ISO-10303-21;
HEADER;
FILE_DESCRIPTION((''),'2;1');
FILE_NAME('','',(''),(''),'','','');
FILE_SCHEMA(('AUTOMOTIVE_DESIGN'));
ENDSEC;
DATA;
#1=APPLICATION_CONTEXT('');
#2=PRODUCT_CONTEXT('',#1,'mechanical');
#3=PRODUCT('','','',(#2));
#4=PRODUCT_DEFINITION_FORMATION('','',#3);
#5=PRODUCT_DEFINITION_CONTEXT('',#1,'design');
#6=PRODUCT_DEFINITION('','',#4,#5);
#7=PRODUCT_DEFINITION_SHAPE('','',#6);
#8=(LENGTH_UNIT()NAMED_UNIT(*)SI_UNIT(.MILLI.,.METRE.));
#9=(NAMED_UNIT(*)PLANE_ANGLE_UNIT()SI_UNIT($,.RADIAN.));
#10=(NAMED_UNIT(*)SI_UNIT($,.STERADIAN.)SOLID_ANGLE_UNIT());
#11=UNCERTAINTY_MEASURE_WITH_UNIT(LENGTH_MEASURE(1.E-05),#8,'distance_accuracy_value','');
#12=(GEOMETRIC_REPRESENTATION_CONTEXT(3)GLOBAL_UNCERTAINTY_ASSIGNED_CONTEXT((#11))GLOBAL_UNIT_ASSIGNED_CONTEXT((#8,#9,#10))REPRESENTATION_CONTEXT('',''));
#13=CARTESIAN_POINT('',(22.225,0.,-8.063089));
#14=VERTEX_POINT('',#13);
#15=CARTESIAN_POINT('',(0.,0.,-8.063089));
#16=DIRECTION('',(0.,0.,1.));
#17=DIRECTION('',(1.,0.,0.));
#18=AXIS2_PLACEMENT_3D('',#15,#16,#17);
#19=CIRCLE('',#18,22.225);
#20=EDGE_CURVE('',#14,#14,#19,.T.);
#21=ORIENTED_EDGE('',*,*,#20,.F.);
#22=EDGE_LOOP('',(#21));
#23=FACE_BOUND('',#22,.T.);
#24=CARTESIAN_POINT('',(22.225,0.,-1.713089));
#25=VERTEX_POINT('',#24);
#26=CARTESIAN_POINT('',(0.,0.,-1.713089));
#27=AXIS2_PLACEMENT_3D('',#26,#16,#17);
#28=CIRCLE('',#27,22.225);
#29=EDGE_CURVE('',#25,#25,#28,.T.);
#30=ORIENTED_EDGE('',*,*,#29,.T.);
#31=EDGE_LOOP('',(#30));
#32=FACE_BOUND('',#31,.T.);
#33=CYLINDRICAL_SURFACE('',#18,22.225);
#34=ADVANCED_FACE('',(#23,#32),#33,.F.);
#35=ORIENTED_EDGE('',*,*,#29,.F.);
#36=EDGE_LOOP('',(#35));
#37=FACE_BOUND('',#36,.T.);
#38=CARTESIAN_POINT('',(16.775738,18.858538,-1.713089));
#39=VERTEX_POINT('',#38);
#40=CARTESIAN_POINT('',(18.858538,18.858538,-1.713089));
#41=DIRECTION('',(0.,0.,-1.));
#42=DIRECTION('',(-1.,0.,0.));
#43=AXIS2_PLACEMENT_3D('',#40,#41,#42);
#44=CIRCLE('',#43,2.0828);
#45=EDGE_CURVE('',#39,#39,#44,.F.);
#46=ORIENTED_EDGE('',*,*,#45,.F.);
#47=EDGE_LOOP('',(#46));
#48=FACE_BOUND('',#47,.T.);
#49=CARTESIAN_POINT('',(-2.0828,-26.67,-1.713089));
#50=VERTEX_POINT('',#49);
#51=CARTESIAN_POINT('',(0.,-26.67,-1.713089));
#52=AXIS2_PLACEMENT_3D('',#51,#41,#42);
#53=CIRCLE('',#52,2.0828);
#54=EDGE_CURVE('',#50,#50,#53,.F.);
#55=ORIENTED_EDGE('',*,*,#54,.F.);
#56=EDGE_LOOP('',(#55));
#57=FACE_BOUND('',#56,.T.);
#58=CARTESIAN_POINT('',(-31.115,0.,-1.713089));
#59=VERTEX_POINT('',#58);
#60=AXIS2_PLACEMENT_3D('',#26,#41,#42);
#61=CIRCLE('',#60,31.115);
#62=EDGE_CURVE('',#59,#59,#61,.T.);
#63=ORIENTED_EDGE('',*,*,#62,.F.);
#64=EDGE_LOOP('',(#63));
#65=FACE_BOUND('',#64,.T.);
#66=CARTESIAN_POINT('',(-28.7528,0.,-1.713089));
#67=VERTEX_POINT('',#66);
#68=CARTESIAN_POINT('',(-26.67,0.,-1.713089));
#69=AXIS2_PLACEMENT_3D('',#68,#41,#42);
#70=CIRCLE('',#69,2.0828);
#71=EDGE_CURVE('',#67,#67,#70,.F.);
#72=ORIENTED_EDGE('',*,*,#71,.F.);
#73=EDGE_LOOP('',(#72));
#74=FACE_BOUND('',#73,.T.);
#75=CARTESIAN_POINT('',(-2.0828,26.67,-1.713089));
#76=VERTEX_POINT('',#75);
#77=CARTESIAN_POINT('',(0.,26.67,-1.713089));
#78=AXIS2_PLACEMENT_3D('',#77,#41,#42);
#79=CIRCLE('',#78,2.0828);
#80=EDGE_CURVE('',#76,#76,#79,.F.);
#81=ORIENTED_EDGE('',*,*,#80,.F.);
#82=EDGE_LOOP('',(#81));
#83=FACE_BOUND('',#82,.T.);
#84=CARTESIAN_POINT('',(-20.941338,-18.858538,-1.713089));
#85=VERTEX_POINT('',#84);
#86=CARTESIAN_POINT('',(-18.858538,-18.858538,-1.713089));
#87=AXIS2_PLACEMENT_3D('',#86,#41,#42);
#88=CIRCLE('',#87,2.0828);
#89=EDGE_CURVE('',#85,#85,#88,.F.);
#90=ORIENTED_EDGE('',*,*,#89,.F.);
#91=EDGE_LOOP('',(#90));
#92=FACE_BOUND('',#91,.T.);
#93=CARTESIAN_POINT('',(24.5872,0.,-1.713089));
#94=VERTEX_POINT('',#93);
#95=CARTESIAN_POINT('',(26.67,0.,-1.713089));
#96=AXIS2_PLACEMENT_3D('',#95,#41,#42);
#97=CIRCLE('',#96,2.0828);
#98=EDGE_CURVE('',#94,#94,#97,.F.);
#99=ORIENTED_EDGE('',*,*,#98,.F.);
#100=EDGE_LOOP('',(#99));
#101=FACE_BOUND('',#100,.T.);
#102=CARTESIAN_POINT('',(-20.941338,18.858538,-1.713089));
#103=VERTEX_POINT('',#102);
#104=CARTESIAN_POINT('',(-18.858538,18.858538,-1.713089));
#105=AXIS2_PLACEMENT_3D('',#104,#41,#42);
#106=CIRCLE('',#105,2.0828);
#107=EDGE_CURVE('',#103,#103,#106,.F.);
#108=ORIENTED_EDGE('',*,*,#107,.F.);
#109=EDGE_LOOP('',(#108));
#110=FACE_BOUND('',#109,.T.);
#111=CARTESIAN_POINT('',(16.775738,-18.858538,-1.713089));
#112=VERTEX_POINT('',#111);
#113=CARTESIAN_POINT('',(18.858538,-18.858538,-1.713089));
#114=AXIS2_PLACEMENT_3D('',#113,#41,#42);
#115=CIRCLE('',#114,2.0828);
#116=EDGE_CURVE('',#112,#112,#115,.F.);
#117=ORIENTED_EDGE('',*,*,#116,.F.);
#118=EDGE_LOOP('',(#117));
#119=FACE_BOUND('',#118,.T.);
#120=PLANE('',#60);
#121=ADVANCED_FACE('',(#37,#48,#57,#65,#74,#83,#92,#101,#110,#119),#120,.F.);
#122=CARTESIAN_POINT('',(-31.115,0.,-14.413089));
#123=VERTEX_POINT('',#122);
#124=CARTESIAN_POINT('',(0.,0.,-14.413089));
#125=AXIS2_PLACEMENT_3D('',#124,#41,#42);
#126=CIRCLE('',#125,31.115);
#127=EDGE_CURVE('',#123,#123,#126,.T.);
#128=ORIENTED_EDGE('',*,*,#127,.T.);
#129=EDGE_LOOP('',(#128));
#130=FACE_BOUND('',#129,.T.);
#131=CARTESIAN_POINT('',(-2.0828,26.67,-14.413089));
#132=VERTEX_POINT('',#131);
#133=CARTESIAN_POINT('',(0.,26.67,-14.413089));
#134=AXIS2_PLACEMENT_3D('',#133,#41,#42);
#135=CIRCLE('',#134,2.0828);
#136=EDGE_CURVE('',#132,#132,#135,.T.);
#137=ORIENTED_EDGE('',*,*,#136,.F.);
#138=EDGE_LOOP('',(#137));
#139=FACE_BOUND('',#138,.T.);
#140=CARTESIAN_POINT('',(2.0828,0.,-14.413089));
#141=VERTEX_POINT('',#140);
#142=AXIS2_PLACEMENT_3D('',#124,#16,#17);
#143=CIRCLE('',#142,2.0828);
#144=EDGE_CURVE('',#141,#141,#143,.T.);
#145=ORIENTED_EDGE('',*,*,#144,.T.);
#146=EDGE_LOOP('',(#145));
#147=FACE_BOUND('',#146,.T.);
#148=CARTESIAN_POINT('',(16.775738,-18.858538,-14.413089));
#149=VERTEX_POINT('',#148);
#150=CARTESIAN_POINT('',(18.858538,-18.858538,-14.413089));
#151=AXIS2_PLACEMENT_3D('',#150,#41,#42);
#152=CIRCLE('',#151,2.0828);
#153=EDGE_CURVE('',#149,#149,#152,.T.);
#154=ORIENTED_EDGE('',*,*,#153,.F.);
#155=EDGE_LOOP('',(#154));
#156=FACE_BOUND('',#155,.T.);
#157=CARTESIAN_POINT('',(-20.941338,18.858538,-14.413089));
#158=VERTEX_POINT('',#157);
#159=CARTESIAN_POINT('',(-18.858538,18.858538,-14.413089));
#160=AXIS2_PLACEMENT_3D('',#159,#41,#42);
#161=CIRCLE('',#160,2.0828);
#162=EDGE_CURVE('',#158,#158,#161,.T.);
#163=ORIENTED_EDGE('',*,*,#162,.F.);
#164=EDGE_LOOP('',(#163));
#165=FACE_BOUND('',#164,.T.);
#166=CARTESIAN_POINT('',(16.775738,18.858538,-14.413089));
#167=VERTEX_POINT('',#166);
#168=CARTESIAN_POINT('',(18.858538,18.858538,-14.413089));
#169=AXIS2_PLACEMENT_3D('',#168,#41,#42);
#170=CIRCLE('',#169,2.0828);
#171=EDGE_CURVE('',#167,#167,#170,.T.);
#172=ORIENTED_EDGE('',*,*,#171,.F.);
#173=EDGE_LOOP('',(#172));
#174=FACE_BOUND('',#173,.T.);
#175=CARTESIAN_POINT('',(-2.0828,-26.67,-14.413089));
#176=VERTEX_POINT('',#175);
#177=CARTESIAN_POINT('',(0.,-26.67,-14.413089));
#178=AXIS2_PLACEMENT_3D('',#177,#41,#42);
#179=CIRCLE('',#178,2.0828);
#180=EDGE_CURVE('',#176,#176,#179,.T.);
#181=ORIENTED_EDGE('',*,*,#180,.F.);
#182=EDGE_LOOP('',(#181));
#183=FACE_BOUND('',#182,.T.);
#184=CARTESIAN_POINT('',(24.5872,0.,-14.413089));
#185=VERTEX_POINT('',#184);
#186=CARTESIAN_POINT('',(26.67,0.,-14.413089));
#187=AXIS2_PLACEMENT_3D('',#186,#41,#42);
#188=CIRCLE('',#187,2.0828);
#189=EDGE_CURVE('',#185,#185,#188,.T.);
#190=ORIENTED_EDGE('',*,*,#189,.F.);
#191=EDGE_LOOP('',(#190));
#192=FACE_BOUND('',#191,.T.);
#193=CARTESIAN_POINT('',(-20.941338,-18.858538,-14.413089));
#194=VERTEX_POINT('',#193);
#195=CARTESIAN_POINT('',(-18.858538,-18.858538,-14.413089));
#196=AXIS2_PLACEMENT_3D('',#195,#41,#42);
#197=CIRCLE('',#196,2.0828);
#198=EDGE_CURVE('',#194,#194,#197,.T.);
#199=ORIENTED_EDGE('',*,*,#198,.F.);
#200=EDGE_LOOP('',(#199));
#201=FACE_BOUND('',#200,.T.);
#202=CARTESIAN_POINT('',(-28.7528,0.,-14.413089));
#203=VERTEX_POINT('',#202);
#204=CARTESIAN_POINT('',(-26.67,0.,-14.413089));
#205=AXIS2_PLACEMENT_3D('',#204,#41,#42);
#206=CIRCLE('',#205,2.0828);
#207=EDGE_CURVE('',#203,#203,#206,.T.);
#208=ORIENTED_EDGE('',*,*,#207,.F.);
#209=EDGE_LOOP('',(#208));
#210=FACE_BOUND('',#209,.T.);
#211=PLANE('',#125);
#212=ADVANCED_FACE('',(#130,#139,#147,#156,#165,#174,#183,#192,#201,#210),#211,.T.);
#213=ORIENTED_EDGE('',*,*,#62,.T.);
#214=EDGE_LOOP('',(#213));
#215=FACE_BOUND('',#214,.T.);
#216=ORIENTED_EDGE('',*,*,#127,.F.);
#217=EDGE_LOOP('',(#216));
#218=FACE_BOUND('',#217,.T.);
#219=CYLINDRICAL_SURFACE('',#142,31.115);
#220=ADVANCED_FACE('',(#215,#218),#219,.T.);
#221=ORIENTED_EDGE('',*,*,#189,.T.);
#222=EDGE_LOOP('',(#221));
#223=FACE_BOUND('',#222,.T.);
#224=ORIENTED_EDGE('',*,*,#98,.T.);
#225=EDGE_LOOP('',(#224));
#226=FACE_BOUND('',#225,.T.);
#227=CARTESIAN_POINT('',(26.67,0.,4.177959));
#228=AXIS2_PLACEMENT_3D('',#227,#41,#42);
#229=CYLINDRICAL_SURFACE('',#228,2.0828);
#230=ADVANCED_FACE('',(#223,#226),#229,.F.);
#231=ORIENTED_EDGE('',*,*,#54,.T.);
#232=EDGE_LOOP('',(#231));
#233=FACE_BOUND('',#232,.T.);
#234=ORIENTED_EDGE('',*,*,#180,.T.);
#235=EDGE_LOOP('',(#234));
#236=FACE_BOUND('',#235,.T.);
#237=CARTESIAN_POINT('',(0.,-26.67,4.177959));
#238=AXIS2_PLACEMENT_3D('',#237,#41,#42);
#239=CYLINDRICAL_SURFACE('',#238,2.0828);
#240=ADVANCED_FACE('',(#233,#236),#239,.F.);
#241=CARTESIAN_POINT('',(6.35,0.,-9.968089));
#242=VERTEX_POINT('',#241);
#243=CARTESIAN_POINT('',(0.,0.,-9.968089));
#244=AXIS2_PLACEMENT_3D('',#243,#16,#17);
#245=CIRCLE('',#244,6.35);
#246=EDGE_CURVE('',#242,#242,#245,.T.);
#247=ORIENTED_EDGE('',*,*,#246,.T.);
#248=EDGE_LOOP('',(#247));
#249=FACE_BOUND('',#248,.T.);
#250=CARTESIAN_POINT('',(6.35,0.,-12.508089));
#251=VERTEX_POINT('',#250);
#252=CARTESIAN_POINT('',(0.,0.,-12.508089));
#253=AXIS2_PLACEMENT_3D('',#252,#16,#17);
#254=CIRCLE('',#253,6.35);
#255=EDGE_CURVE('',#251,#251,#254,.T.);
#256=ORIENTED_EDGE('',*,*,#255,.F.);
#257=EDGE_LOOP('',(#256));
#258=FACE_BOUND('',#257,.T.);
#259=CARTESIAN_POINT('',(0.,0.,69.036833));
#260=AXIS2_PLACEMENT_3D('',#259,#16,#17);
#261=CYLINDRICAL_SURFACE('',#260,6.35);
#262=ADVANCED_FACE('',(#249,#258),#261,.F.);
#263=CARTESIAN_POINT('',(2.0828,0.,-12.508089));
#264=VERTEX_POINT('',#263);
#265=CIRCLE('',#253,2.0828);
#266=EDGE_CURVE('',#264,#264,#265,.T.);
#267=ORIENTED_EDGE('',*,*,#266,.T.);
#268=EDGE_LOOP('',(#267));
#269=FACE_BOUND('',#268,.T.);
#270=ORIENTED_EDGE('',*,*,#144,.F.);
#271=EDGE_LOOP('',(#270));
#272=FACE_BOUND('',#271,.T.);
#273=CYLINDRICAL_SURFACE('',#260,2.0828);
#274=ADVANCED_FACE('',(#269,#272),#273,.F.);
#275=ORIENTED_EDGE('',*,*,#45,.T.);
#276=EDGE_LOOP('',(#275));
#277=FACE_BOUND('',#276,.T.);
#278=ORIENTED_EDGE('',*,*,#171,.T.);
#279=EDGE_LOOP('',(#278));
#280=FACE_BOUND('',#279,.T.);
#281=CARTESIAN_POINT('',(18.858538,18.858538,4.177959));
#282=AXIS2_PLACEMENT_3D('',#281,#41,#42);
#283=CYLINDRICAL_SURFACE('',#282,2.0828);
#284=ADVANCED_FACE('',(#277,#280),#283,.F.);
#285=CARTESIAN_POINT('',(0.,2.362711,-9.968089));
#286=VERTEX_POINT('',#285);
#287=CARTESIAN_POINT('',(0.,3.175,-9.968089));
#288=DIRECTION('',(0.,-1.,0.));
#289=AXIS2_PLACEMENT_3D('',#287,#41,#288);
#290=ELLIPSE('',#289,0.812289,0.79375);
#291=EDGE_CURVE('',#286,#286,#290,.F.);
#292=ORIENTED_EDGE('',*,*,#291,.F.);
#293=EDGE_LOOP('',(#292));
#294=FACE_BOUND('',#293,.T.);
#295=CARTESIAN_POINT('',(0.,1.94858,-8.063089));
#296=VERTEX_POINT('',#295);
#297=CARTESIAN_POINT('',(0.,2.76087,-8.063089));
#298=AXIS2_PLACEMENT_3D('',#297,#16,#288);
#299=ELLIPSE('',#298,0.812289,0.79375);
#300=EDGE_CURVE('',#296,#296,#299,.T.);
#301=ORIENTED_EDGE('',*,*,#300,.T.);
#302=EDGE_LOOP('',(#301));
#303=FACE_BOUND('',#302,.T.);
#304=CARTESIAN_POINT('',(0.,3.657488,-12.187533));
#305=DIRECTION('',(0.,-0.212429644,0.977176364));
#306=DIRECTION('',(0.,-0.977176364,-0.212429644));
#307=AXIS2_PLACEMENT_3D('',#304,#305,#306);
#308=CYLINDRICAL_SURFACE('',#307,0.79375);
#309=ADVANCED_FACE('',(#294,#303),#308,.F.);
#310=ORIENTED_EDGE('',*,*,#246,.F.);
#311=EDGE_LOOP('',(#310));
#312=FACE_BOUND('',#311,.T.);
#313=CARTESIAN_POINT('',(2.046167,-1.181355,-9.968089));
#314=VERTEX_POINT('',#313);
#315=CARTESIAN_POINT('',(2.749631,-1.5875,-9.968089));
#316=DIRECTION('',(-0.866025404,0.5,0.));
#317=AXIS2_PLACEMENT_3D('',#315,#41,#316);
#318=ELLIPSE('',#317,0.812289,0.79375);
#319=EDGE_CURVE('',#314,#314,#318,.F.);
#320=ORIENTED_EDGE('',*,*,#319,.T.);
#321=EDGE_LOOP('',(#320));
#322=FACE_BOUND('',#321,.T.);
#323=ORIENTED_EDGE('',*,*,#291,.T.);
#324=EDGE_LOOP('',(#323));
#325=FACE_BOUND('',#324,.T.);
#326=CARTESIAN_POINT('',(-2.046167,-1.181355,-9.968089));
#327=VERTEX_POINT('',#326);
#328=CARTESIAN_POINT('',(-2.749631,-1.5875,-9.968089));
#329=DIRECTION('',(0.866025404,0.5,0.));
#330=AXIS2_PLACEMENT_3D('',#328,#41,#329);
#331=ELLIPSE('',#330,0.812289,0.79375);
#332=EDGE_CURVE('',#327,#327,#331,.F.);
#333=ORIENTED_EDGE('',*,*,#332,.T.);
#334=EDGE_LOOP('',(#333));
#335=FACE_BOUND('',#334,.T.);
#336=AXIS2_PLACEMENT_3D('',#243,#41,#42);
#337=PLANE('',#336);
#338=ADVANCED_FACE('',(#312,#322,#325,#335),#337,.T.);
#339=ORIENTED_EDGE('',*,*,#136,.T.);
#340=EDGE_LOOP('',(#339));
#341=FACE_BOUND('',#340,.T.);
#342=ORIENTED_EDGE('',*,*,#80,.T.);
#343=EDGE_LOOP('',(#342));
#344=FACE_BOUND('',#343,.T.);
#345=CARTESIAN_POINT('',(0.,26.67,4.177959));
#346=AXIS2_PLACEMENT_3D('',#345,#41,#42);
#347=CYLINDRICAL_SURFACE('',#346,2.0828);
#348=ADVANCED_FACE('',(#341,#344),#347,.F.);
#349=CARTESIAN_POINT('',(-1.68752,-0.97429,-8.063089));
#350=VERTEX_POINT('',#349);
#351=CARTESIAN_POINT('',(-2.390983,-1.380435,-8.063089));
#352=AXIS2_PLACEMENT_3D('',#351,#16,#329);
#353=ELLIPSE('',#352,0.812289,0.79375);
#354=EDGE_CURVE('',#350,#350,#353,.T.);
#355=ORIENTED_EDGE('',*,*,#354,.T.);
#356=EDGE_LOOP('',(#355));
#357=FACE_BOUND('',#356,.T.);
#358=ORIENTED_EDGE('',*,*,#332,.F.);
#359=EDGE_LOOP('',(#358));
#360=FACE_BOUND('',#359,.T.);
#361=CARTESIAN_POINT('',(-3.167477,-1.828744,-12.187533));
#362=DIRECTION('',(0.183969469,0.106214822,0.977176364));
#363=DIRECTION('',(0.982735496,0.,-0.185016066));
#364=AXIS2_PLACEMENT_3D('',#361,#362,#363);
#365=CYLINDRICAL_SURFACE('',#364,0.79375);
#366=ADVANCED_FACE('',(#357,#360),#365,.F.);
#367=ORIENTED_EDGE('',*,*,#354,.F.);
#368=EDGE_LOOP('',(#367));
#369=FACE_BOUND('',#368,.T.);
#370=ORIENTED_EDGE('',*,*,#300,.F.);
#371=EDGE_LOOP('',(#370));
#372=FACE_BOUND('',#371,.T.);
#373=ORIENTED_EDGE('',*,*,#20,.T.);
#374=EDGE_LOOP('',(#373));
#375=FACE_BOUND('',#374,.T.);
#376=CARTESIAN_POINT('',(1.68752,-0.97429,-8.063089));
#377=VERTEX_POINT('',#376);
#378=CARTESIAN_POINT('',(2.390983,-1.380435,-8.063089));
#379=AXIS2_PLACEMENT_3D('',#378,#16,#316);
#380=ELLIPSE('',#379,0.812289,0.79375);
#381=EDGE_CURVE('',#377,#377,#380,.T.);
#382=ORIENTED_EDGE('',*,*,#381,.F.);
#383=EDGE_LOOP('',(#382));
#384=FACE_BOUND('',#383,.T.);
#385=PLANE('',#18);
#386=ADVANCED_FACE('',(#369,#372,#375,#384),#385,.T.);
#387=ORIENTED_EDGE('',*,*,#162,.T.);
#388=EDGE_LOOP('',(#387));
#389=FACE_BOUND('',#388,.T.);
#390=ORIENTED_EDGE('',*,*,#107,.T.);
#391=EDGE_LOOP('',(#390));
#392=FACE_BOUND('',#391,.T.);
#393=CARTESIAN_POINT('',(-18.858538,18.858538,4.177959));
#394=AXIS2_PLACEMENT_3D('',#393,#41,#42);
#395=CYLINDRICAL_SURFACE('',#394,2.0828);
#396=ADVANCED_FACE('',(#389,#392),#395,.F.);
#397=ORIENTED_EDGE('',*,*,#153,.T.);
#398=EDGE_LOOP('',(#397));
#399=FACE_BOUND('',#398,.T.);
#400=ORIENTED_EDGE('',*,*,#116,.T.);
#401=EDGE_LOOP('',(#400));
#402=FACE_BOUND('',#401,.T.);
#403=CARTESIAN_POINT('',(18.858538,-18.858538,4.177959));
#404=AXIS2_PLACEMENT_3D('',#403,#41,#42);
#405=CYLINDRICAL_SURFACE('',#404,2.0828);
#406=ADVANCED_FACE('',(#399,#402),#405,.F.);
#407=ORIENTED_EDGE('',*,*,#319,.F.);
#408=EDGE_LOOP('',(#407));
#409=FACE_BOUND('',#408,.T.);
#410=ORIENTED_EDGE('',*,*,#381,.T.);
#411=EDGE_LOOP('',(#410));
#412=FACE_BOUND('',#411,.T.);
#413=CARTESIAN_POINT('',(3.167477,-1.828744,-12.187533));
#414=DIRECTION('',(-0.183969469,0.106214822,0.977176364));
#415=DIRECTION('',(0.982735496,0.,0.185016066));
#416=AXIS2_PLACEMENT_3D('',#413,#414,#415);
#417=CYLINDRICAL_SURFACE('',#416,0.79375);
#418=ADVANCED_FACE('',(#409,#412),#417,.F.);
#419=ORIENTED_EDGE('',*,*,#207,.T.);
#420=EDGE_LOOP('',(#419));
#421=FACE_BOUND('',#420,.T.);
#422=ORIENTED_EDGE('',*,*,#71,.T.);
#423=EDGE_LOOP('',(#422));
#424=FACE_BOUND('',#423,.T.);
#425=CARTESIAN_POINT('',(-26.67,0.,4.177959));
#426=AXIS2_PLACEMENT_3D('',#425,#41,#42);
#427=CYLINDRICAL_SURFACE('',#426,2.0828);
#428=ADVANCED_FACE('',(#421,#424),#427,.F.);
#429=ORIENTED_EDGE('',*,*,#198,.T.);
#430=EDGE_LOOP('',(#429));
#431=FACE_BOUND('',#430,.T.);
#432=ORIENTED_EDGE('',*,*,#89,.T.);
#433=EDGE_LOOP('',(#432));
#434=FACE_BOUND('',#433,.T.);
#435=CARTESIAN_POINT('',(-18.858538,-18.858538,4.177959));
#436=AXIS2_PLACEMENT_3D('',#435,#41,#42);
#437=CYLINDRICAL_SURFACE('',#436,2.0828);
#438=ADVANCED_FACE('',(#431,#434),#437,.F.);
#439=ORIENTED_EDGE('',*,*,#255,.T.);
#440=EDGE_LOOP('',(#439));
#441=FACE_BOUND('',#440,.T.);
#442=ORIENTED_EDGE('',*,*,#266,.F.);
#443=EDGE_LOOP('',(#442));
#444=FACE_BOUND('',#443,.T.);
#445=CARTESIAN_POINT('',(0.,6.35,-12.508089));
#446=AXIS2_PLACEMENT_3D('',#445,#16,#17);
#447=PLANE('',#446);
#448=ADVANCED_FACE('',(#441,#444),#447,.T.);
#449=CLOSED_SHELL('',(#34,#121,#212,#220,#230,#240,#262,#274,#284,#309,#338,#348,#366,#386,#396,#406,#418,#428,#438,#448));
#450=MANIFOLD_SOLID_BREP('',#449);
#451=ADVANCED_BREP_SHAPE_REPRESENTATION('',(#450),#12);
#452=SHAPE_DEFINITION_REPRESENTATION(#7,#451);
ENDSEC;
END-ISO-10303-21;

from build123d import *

# Parameters (mm, degrees)
SKETCH2_R           = 31.115
BOSS_EXTRUDE1_DEPTH = 12.7
SKETCH3_R           = 2.0828
CUT_EXTRUDE3_DEPTH  = 12.7
SKETCH4_R           = 22.225
CUT_EXTRUDE2_DEPTH  = 6.35
CUT_EXTRUDE4_REACH  = 49.95
SKETCH8_R           = 0.79375
CIRPATTERN1_COUNT   = 3


with BuildPart() as part:
    # Sketch2 → Boss-Extrude1 (new body)
    with BuildSketch(Plane(origin=(0, 0, -1.71308935), x_dir=(-1, 0, 0), z_dir=(0, 0, -1))):
        Circle(SKETCH2_R)
    extrude(amount=BOSS_EXTRUDE1_DEPTH)

    # Sketch3 → Cut-Extrude3 (cut)
    with BuildSketch(Plane(origin=(0, 0, -14.41308935), x_dir=(-1, 0, 0), z_dir=(0, 0, -1))):
        with Locations((0, 26.67)):
            Circle(SKETCH3_R)
        with Locations((18.858537854, 18.858537854)):
            Circle(SKETCH3_R)
        with Locations((26.67, 0)):
            Circle(SKETCH3_R)
        with Locations((18.858537854, -18.858537854)):
            Circle(SKETCH3_R)
        with Locations((0, -26.67)):
            Circle(SKETCH3_R)
        with Locations((-18.858537854, -18.858537854)):
            Circle(SKETCH3_R)
        with Locations((-26.67, 0)):
            Circle(SKETCH3_R)
        with Locations((-18.858537854, 18.858537854)):
            Circle(SKETCH3_R)
    extrude(amount=-CUT_EXTRUDE3_DEPTH, mode=Mode.SUBTRACT)

    # Sketch4 → Cut-Extrude2 (cut)
    with BuildSketch(Plane.XY.offset(-1.71308935)):
        Circle(SKETCH4_R)
    extrude(amount=-CUT_EXTRUDE2_DEPTH, mode=Mode.SUBTRACT)

    # Sketch6 → Cut-Revolve2 (revolve, cut)
    with BuildSketch(Plane(origin=(0, 0, 0), x_dir=(0, 0, -1), z_dir=(1, 0, 0)), mode=Mode.PRIVATE) as cut_revolve2_sk:
        Polygon((9.96808935, 0), (9.96808935, 6.35), (12.50808935, 6.35), (12.50808935, 2.0828), (14.41308935, 2.0828), (14.41308935, 0), align=None)
    revolve(cut_revolve2_sk.sketch.rotate(Axis((0, 0, 69.036833432), (0, 0, -1)), 90), axis=Axis((0, 0, 69.036833432), (0, 0, -1)), mode=Mode.SUBTRACT)

    # Cut-Extrude4: up to this plane
    cut_extrude4_end = Plane(origin=(0, 0, -9.96808935), z_dir=(0, 0, -1))
    # Sketch8 → Cut-Extrude4 (cut, up to the surface)
    with BuildSketch(Plane(origin=(0, 0, 4.63691065), x_dir=(1, 0, 0), z_dir=(0, -0.21242964433104367, 0.9771763639228009)), mode=Mode.PRIVATE) as cut_extrude4_sk1:
        with Locations(Location((0, 0, 0), (0, 0, 270))):
            Circle(SKETCH8_R)
    cut_extrude4_tool1 = split(extrude(cut_extrude4_sk1.sketch, amount=-CUT_EXTRUDE4_REACH, mode=Mode.PRIVATE), bisect_by=cut_extrude4_end, keep=Keep.BOTH, mode=Mode.PRIVATE)
    cut_extrude4 = cut_extrude4_tool1.solids().sort_by_distance((0, 0, 4.636911))[0]
    add(cut_extrude4, mode=Mode.SUBTRACT)

    # CirPattern1: Cut-Extrude4 ×3 about axis
    cirpattern1_axis = Axis((0, 0, -1.71308935), (0, 0, 1))
    for i in range(1, CIRPATTERN1_COUNT):
        add(cut_extrude4.rotate(cirpattern1_axis, i * 360 / CIRPATTERN1_COUNT), mode=Mode.SUBTRACT)


solid = part.part
